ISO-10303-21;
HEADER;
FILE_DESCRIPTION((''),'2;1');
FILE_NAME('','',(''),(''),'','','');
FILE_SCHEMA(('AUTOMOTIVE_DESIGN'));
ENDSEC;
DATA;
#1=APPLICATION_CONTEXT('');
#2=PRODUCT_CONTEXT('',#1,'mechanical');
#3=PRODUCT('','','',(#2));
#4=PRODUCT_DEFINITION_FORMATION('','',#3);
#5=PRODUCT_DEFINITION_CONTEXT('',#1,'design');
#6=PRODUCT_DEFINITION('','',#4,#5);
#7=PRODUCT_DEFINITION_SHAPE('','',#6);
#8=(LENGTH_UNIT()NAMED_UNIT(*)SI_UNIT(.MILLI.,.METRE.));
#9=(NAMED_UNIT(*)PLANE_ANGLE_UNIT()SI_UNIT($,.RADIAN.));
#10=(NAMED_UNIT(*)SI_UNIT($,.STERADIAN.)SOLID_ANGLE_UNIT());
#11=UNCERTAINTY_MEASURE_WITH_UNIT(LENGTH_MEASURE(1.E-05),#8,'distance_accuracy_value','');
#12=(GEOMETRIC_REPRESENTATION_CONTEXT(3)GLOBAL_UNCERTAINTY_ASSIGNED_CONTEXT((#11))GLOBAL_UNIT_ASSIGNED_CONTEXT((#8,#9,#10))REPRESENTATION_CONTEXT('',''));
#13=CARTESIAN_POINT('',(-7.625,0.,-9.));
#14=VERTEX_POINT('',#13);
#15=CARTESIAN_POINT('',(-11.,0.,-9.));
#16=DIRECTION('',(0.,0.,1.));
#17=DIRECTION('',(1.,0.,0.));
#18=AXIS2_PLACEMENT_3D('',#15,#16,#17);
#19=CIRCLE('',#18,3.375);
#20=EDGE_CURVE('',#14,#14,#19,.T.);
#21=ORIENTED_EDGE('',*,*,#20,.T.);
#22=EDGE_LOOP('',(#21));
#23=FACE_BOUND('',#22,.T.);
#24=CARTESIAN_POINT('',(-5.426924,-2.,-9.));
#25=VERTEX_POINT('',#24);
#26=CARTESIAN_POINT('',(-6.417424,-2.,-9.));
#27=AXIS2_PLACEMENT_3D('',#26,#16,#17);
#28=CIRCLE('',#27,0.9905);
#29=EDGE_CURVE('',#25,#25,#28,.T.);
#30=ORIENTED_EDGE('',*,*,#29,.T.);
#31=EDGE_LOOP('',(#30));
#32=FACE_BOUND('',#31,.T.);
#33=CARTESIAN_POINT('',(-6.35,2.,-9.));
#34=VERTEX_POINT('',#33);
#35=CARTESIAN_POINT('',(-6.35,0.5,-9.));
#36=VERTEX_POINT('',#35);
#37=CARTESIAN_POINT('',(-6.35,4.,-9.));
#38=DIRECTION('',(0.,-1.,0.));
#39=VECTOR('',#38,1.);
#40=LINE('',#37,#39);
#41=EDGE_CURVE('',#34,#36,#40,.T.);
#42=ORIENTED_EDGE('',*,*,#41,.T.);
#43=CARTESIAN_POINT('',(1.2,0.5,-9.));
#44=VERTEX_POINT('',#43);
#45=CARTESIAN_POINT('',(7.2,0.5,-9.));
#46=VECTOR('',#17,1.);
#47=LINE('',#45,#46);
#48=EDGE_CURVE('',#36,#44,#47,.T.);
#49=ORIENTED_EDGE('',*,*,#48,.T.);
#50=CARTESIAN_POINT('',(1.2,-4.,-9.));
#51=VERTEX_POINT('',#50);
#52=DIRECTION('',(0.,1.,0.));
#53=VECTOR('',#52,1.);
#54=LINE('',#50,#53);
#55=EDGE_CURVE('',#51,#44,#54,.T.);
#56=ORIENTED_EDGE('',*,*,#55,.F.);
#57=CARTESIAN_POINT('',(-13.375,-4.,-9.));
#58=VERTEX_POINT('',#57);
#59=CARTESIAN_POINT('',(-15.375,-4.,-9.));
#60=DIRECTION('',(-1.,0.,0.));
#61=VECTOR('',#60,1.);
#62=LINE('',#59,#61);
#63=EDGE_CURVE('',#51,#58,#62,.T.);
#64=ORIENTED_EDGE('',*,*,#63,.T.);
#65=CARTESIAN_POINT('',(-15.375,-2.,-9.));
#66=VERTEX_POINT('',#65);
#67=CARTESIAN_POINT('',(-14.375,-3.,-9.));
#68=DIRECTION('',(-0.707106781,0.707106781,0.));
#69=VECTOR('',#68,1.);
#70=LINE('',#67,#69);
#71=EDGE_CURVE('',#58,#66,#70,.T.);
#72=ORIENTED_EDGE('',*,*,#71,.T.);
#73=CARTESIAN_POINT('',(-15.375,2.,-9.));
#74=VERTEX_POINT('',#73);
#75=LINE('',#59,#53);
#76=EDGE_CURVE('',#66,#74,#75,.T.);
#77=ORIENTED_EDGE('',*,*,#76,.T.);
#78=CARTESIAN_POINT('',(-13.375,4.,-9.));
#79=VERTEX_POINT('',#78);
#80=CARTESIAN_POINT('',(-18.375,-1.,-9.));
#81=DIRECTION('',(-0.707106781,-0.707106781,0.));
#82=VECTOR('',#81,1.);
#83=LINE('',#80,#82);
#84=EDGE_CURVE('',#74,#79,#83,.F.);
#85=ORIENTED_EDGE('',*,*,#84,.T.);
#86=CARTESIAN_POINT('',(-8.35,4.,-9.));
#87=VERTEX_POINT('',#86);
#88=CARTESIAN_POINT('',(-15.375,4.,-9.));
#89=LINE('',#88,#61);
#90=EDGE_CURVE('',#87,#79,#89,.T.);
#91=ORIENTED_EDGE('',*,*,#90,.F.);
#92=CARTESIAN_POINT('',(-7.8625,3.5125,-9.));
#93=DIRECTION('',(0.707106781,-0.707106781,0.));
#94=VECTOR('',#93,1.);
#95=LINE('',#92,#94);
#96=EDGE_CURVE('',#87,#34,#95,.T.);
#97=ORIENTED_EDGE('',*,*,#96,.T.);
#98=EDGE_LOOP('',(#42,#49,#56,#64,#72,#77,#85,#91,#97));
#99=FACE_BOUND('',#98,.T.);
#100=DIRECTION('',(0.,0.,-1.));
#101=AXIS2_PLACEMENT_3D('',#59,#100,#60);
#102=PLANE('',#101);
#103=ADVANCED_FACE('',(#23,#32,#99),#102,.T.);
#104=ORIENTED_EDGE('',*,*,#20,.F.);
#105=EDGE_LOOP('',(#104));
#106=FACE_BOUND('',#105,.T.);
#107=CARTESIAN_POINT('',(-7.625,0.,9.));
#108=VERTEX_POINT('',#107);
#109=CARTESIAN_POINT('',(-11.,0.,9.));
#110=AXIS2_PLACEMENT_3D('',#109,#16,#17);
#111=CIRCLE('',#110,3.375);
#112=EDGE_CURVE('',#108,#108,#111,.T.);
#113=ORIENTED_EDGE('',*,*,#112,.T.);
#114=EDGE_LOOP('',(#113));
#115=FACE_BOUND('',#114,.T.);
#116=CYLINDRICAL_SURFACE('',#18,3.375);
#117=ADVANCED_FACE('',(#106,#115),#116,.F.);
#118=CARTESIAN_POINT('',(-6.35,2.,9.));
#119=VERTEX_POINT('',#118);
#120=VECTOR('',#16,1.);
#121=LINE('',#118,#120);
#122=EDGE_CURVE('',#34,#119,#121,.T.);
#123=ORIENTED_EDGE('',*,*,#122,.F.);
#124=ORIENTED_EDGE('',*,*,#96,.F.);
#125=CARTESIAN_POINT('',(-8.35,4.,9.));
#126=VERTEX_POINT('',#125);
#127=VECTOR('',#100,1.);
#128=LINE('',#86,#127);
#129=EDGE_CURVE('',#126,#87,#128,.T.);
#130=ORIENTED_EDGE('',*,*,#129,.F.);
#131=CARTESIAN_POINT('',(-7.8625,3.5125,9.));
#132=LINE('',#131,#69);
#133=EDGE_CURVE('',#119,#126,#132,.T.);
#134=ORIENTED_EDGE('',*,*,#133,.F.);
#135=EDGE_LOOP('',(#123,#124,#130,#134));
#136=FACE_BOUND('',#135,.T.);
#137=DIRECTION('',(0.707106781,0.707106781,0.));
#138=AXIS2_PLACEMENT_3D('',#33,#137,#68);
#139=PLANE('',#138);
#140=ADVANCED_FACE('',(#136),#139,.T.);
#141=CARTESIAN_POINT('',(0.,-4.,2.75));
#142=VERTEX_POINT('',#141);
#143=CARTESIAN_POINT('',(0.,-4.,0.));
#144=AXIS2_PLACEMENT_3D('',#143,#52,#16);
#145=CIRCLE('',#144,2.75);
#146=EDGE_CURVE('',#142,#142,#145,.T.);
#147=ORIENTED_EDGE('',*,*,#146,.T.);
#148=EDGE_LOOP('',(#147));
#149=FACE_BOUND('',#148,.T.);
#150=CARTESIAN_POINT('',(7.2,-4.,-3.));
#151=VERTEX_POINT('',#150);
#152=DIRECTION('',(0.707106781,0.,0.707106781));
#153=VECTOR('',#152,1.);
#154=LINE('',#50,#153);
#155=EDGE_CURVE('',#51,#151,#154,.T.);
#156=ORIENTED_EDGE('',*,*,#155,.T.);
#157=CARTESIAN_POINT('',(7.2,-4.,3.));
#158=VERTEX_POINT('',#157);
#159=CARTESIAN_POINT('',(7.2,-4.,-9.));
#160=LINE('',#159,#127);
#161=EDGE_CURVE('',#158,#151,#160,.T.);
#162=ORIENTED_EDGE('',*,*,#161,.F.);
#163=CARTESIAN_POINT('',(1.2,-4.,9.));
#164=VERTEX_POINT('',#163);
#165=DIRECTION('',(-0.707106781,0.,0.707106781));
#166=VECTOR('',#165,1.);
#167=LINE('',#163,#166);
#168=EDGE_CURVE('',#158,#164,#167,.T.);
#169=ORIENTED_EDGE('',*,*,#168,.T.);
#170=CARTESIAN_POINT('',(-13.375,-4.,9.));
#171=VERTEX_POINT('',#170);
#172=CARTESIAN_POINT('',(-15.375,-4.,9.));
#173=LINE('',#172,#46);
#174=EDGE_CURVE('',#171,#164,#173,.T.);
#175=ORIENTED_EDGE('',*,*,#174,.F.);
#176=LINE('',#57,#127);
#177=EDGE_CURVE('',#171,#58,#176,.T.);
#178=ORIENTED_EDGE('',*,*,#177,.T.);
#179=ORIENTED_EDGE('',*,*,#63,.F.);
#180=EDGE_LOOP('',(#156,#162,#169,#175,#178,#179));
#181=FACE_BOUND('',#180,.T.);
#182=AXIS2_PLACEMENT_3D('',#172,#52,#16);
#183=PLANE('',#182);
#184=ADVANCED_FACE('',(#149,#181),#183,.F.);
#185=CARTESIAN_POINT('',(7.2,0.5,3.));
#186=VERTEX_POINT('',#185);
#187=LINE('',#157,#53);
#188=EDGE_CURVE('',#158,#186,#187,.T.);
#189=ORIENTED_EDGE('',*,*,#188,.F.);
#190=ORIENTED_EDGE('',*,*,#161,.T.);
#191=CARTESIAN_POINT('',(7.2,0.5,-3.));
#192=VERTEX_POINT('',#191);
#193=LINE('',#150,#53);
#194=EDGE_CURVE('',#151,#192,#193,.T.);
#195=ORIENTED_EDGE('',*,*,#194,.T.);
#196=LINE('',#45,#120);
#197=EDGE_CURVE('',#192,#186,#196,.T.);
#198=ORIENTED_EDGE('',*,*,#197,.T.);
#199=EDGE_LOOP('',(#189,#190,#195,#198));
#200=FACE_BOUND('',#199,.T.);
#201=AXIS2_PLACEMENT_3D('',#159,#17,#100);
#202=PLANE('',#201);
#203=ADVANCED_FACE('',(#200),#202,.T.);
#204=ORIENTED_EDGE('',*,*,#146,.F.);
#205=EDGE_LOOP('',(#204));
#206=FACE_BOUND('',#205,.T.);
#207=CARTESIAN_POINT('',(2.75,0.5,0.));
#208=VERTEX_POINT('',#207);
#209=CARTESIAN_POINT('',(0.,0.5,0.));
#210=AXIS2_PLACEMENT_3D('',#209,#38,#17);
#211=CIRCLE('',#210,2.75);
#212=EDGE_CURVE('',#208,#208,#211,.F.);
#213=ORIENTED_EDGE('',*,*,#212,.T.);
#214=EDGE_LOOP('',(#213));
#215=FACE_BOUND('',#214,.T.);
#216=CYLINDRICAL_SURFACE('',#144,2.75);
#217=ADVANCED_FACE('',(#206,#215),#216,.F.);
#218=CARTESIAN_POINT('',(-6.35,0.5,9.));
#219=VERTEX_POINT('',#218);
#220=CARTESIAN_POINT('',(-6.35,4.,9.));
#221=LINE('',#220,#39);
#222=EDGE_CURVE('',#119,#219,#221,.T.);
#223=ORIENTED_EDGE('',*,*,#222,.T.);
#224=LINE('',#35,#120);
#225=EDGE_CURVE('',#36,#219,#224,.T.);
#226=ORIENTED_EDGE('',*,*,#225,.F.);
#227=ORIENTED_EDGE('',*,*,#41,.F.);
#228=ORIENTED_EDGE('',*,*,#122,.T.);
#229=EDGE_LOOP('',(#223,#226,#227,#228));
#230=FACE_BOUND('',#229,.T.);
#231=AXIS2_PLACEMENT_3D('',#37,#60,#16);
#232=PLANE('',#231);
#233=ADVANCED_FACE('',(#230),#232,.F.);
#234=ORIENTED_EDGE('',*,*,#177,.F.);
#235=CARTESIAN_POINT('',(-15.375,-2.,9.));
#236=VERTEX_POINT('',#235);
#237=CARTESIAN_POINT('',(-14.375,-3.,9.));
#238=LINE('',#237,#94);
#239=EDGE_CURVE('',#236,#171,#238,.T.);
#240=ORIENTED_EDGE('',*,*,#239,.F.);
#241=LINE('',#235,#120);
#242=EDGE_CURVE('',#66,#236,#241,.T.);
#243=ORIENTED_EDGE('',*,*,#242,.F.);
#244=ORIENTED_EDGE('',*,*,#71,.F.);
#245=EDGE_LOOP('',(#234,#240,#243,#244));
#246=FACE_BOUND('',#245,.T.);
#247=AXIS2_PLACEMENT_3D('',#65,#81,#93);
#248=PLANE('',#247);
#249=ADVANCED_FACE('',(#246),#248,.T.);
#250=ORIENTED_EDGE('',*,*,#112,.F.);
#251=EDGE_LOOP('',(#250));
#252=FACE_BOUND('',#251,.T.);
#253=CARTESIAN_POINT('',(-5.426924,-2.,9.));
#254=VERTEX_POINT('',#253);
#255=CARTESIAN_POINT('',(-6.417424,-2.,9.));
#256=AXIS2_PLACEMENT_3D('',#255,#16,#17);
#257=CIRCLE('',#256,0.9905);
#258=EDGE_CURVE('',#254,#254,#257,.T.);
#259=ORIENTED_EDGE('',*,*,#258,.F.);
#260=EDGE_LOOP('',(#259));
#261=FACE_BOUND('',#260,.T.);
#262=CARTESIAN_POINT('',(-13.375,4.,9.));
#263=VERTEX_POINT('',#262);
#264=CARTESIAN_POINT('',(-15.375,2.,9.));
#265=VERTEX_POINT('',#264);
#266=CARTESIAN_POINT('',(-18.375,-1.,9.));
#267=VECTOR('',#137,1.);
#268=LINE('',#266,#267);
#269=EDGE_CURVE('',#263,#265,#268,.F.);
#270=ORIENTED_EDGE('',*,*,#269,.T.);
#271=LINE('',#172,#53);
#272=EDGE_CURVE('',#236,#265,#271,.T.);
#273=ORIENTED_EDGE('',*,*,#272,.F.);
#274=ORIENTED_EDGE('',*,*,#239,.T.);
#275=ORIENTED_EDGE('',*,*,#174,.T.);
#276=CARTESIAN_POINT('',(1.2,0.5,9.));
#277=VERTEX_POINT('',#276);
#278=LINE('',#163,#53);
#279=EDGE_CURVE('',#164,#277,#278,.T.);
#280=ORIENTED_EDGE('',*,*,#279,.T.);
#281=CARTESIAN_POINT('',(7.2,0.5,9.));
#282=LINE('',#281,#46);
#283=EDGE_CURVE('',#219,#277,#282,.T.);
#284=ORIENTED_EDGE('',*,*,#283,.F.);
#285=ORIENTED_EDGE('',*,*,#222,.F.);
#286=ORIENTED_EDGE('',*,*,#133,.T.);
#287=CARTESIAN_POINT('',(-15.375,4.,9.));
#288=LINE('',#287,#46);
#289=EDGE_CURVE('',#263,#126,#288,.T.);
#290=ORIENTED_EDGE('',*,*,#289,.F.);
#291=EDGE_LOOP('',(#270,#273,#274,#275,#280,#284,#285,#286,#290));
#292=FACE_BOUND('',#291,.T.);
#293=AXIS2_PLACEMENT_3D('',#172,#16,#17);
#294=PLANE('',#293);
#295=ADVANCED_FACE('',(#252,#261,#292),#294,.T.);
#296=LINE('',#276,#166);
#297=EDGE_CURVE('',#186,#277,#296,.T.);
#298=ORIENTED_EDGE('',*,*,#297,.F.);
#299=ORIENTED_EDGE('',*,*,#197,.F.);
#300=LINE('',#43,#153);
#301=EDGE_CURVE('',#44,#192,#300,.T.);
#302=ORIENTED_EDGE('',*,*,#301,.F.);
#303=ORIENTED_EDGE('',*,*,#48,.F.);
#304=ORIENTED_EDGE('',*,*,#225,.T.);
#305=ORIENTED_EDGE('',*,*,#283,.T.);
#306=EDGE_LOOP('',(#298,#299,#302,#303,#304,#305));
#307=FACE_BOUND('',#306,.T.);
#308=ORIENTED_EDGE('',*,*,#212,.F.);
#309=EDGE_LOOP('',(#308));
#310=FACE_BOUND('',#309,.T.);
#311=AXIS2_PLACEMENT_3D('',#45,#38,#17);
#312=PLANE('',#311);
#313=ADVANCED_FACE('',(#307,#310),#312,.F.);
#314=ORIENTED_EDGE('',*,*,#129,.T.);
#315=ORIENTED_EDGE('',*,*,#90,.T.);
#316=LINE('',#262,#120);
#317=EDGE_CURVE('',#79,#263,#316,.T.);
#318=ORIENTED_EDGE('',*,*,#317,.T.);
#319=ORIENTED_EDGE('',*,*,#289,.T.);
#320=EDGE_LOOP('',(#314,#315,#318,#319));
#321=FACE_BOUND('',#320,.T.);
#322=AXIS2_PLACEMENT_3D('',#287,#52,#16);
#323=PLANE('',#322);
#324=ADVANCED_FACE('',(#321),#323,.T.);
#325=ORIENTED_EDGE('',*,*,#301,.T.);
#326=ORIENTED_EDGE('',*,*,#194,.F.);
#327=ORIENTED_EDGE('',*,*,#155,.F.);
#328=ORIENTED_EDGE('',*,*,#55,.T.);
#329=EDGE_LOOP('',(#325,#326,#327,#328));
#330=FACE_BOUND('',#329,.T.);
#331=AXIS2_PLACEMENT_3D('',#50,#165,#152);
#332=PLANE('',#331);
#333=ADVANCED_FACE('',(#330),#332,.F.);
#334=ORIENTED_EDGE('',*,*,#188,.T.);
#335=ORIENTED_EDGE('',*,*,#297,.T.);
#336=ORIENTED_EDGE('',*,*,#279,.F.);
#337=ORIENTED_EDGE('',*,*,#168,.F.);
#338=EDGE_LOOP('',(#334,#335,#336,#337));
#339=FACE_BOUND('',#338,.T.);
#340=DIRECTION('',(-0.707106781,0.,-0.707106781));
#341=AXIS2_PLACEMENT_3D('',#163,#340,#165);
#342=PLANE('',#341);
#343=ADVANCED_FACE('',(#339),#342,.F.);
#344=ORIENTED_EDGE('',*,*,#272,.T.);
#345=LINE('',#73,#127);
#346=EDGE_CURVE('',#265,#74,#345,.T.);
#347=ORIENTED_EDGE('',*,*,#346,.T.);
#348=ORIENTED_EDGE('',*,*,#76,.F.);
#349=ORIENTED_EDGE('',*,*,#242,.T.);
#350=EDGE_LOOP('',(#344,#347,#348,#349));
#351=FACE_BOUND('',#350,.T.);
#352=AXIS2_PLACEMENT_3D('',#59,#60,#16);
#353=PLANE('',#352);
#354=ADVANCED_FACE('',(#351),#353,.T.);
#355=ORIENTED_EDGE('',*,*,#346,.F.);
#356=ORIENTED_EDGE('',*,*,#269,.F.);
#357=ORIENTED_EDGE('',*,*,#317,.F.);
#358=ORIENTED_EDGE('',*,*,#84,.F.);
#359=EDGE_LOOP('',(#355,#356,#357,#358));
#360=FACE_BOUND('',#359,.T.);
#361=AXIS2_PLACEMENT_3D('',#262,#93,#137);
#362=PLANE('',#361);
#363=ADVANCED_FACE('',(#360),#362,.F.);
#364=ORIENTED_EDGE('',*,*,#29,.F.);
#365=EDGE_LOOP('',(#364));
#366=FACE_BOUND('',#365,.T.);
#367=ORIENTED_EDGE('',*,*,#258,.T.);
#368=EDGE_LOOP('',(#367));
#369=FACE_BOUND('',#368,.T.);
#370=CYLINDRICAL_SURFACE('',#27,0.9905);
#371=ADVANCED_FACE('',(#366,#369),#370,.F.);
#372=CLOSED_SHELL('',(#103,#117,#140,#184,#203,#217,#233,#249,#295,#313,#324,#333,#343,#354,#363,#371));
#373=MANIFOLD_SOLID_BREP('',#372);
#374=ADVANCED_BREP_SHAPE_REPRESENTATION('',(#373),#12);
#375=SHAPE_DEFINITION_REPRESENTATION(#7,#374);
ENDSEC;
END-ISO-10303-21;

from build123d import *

# Parameters (mm, degrees)
BOSS_EXTRUDE1_DEPTH      = 4
BOSS_EXTRUDE1_DEPTH_BACK = 4
SKETCH1_W                = 22.575
SKETCH1_H                = 18
SKETCH1_R                = 2.75
SKETCH3_R                = 3.375
SKETCH3_R_2              = 0.9905
CUT_EXTRUDE1_DEPTH       = 25.008136642
SKETCH4_W                = 13.55
SKETCH4_H                = 3.5
CUT_EXTRUDE2_DEPTH       = 25.008136642
CUT_EXTRUDE3_DEPTH       = 19.375
CHAMFER1_SIZE            = 2


with BuildPart() as part:
    # Sketch1 → Boss-Extrude1 (new, two sides: drawn at the far end of the back side and taken through both)
    with BuildSketch(Plane(origin=(0, 0, 0), x_dir=(1, 0, 0), z_dir=(0, 1, 0)).offset(-BOSS_EXTRUDE1_DEPTH_BACK)):
        with Locations((-4.0875, 0)):
            Rectangle(SKETCH1_W, SKETCH1_H)
        Circle(SKETCH1_R, mode=Mode.SUBTRACT)
    extrude(amount=BOSS_EXTRUDE1_DEPTH + BOSS_EXTRUDE1_DEPTH_BACK)

    # Sketch3 → Cut-Extrude1 (cut, through all)
    with BuildSketch(Plane.XY.offset(9)):
        with Locations((-11, 0)):
            Circle(SKETCH3_R)
        with Locations((-6.417424305, -2)):
            Circle(SKETCH3_R_2)
    extrude(amount=-CUT_EXTRUDE1_DEPTH, mode=Mode.SUBTRACT)

    # Sketch4 → Cut-Extrude2 (cut, through all)
    with BuildSketch(Plane.XY.offset(9)):
        with Locations((0.425, 2.25)):
            Rectangle(SKETCH4_W, SKETCH4_H)
    extrude(amount=-CUT_EXTRUDE2_DEPTH, mode=Mode.SUBTRACT)

    # Sketch5 → Cut-Extrude3 (cut, through all)
    with BuildSketch(Plane(origin=(0, 0.5, 0), x_dir=(-1, 0, 0), z_dir=(0, 1, 0))):
        Polygon((-1.2, -9), (-7.2, -3), (-7.2, -9), align=None)
        Polygon((-1.2, 9), (-7.2, 3), (-7.2, 9), align=None)
    extrude(amount=-CUT_EXTRUDE3_DEPTH, mode=Mode.SUBTRACT)

    # Chamfer1
    chamfer1_edges = [part.edges().sort_by_distance(p)[0] for p in [
        (-15.375, -4, 0),
        (-15.375, 4, 0),
        (-6.35, 4, 0),
    ]]
    chamfer(chamfer1_edges, length=CHAMFER1_SIZE)


solid = part.part
